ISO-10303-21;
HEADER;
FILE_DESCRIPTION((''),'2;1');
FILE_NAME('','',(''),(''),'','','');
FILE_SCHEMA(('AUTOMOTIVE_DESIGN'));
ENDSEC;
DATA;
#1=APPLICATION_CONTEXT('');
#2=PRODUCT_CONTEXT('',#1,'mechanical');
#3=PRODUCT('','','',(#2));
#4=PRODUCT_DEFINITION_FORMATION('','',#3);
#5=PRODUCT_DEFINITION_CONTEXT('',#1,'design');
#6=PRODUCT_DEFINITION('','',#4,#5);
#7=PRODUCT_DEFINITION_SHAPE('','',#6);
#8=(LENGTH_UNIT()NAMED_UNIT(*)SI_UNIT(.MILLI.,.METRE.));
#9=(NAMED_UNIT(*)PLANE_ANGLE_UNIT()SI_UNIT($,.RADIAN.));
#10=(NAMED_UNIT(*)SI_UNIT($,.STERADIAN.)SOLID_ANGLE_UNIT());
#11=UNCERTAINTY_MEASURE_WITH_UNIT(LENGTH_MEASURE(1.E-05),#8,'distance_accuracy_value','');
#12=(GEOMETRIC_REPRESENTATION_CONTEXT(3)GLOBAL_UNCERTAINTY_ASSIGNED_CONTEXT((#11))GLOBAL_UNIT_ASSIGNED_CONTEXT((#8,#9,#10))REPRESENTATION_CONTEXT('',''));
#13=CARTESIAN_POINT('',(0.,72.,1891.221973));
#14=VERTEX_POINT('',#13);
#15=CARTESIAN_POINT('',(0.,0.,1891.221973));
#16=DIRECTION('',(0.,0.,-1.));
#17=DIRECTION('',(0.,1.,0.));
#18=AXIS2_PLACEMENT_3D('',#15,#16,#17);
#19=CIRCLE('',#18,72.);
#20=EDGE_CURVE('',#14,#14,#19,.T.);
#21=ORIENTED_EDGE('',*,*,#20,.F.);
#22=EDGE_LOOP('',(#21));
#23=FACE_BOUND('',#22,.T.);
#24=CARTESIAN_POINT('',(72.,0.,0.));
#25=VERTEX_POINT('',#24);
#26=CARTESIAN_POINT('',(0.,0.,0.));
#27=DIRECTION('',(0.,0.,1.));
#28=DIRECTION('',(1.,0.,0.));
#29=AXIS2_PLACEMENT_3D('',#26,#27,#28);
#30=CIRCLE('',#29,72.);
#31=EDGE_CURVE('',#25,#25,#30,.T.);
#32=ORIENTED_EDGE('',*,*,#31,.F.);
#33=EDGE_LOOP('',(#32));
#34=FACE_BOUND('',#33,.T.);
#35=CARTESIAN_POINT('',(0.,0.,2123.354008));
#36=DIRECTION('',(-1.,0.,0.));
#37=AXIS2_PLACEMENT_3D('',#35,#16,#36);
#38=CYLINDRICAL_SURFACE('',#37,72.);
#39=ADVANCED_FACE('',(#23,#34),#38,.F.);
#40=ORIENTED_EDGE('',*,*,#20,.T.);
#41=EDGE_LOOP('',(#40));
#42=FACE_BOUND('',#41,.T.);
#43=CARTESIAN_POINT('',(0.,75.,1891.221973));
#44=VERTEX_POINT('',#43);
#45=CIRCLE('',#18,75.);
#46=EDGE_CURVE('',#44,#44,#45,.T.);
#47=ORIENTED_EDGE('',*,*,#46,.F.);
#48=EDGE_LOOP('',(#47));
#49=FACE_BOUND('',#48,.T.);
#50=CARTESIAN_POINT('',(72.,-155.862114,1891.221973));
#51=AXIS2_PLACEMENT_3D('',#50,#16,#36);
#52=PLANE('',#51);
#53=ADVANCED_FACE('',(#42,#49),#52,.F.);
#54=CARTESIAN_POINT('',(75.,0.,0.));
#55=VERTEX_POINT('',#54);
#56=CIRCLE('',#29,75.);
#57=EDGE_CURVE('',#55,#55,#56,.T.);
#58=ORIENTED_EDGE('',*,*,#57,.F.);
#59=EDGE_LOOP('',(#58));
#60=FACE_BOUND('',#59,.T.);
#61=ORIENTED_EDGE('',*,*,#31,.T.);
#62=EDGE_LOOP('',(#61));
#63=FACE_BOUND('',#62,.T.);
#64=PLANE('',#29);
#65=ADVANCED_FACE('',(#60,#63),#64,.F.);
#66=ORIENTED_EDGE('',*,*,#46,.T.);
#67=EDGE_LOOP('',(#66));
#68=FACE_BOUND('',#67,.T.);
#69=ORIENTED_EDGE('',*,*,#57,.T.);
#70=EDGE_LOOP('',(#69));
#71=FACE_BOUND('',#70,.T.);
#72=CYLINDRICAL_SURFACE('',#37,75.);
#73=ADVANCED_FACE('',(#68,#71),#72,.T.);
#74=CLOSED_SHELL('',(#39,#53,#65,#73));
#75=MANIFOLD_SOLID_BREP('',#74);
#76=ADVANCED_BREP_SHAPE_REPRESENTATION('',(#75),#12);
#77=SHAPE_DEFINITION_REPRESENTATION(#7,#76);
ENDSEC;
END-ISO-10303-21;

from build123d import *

# Parameters (mm, degrees)
SKETCH1_R           = 75
SKETCH1_R_2         = 72
BOSS_EXTRUDE1_DEPTH = 1891.221973386


with BuildPart() as part:
    # Sketch1 → Boss-Extrude1 (new body)
    with BuildSketch(Plane.XY):
        with Locations(Location((0, 0, 0), (0, 0, 90))):
            Circle(SKETCH1_R)
        with Locations(Location((0, 0, 0), (0, 0, 90))):
            Circle(SKETCH1_R_2, mode=Mode.SUBTRACT)
    extrude(amount=BOSS_EXTRUDE1_DEPTH)


solid = part.part
